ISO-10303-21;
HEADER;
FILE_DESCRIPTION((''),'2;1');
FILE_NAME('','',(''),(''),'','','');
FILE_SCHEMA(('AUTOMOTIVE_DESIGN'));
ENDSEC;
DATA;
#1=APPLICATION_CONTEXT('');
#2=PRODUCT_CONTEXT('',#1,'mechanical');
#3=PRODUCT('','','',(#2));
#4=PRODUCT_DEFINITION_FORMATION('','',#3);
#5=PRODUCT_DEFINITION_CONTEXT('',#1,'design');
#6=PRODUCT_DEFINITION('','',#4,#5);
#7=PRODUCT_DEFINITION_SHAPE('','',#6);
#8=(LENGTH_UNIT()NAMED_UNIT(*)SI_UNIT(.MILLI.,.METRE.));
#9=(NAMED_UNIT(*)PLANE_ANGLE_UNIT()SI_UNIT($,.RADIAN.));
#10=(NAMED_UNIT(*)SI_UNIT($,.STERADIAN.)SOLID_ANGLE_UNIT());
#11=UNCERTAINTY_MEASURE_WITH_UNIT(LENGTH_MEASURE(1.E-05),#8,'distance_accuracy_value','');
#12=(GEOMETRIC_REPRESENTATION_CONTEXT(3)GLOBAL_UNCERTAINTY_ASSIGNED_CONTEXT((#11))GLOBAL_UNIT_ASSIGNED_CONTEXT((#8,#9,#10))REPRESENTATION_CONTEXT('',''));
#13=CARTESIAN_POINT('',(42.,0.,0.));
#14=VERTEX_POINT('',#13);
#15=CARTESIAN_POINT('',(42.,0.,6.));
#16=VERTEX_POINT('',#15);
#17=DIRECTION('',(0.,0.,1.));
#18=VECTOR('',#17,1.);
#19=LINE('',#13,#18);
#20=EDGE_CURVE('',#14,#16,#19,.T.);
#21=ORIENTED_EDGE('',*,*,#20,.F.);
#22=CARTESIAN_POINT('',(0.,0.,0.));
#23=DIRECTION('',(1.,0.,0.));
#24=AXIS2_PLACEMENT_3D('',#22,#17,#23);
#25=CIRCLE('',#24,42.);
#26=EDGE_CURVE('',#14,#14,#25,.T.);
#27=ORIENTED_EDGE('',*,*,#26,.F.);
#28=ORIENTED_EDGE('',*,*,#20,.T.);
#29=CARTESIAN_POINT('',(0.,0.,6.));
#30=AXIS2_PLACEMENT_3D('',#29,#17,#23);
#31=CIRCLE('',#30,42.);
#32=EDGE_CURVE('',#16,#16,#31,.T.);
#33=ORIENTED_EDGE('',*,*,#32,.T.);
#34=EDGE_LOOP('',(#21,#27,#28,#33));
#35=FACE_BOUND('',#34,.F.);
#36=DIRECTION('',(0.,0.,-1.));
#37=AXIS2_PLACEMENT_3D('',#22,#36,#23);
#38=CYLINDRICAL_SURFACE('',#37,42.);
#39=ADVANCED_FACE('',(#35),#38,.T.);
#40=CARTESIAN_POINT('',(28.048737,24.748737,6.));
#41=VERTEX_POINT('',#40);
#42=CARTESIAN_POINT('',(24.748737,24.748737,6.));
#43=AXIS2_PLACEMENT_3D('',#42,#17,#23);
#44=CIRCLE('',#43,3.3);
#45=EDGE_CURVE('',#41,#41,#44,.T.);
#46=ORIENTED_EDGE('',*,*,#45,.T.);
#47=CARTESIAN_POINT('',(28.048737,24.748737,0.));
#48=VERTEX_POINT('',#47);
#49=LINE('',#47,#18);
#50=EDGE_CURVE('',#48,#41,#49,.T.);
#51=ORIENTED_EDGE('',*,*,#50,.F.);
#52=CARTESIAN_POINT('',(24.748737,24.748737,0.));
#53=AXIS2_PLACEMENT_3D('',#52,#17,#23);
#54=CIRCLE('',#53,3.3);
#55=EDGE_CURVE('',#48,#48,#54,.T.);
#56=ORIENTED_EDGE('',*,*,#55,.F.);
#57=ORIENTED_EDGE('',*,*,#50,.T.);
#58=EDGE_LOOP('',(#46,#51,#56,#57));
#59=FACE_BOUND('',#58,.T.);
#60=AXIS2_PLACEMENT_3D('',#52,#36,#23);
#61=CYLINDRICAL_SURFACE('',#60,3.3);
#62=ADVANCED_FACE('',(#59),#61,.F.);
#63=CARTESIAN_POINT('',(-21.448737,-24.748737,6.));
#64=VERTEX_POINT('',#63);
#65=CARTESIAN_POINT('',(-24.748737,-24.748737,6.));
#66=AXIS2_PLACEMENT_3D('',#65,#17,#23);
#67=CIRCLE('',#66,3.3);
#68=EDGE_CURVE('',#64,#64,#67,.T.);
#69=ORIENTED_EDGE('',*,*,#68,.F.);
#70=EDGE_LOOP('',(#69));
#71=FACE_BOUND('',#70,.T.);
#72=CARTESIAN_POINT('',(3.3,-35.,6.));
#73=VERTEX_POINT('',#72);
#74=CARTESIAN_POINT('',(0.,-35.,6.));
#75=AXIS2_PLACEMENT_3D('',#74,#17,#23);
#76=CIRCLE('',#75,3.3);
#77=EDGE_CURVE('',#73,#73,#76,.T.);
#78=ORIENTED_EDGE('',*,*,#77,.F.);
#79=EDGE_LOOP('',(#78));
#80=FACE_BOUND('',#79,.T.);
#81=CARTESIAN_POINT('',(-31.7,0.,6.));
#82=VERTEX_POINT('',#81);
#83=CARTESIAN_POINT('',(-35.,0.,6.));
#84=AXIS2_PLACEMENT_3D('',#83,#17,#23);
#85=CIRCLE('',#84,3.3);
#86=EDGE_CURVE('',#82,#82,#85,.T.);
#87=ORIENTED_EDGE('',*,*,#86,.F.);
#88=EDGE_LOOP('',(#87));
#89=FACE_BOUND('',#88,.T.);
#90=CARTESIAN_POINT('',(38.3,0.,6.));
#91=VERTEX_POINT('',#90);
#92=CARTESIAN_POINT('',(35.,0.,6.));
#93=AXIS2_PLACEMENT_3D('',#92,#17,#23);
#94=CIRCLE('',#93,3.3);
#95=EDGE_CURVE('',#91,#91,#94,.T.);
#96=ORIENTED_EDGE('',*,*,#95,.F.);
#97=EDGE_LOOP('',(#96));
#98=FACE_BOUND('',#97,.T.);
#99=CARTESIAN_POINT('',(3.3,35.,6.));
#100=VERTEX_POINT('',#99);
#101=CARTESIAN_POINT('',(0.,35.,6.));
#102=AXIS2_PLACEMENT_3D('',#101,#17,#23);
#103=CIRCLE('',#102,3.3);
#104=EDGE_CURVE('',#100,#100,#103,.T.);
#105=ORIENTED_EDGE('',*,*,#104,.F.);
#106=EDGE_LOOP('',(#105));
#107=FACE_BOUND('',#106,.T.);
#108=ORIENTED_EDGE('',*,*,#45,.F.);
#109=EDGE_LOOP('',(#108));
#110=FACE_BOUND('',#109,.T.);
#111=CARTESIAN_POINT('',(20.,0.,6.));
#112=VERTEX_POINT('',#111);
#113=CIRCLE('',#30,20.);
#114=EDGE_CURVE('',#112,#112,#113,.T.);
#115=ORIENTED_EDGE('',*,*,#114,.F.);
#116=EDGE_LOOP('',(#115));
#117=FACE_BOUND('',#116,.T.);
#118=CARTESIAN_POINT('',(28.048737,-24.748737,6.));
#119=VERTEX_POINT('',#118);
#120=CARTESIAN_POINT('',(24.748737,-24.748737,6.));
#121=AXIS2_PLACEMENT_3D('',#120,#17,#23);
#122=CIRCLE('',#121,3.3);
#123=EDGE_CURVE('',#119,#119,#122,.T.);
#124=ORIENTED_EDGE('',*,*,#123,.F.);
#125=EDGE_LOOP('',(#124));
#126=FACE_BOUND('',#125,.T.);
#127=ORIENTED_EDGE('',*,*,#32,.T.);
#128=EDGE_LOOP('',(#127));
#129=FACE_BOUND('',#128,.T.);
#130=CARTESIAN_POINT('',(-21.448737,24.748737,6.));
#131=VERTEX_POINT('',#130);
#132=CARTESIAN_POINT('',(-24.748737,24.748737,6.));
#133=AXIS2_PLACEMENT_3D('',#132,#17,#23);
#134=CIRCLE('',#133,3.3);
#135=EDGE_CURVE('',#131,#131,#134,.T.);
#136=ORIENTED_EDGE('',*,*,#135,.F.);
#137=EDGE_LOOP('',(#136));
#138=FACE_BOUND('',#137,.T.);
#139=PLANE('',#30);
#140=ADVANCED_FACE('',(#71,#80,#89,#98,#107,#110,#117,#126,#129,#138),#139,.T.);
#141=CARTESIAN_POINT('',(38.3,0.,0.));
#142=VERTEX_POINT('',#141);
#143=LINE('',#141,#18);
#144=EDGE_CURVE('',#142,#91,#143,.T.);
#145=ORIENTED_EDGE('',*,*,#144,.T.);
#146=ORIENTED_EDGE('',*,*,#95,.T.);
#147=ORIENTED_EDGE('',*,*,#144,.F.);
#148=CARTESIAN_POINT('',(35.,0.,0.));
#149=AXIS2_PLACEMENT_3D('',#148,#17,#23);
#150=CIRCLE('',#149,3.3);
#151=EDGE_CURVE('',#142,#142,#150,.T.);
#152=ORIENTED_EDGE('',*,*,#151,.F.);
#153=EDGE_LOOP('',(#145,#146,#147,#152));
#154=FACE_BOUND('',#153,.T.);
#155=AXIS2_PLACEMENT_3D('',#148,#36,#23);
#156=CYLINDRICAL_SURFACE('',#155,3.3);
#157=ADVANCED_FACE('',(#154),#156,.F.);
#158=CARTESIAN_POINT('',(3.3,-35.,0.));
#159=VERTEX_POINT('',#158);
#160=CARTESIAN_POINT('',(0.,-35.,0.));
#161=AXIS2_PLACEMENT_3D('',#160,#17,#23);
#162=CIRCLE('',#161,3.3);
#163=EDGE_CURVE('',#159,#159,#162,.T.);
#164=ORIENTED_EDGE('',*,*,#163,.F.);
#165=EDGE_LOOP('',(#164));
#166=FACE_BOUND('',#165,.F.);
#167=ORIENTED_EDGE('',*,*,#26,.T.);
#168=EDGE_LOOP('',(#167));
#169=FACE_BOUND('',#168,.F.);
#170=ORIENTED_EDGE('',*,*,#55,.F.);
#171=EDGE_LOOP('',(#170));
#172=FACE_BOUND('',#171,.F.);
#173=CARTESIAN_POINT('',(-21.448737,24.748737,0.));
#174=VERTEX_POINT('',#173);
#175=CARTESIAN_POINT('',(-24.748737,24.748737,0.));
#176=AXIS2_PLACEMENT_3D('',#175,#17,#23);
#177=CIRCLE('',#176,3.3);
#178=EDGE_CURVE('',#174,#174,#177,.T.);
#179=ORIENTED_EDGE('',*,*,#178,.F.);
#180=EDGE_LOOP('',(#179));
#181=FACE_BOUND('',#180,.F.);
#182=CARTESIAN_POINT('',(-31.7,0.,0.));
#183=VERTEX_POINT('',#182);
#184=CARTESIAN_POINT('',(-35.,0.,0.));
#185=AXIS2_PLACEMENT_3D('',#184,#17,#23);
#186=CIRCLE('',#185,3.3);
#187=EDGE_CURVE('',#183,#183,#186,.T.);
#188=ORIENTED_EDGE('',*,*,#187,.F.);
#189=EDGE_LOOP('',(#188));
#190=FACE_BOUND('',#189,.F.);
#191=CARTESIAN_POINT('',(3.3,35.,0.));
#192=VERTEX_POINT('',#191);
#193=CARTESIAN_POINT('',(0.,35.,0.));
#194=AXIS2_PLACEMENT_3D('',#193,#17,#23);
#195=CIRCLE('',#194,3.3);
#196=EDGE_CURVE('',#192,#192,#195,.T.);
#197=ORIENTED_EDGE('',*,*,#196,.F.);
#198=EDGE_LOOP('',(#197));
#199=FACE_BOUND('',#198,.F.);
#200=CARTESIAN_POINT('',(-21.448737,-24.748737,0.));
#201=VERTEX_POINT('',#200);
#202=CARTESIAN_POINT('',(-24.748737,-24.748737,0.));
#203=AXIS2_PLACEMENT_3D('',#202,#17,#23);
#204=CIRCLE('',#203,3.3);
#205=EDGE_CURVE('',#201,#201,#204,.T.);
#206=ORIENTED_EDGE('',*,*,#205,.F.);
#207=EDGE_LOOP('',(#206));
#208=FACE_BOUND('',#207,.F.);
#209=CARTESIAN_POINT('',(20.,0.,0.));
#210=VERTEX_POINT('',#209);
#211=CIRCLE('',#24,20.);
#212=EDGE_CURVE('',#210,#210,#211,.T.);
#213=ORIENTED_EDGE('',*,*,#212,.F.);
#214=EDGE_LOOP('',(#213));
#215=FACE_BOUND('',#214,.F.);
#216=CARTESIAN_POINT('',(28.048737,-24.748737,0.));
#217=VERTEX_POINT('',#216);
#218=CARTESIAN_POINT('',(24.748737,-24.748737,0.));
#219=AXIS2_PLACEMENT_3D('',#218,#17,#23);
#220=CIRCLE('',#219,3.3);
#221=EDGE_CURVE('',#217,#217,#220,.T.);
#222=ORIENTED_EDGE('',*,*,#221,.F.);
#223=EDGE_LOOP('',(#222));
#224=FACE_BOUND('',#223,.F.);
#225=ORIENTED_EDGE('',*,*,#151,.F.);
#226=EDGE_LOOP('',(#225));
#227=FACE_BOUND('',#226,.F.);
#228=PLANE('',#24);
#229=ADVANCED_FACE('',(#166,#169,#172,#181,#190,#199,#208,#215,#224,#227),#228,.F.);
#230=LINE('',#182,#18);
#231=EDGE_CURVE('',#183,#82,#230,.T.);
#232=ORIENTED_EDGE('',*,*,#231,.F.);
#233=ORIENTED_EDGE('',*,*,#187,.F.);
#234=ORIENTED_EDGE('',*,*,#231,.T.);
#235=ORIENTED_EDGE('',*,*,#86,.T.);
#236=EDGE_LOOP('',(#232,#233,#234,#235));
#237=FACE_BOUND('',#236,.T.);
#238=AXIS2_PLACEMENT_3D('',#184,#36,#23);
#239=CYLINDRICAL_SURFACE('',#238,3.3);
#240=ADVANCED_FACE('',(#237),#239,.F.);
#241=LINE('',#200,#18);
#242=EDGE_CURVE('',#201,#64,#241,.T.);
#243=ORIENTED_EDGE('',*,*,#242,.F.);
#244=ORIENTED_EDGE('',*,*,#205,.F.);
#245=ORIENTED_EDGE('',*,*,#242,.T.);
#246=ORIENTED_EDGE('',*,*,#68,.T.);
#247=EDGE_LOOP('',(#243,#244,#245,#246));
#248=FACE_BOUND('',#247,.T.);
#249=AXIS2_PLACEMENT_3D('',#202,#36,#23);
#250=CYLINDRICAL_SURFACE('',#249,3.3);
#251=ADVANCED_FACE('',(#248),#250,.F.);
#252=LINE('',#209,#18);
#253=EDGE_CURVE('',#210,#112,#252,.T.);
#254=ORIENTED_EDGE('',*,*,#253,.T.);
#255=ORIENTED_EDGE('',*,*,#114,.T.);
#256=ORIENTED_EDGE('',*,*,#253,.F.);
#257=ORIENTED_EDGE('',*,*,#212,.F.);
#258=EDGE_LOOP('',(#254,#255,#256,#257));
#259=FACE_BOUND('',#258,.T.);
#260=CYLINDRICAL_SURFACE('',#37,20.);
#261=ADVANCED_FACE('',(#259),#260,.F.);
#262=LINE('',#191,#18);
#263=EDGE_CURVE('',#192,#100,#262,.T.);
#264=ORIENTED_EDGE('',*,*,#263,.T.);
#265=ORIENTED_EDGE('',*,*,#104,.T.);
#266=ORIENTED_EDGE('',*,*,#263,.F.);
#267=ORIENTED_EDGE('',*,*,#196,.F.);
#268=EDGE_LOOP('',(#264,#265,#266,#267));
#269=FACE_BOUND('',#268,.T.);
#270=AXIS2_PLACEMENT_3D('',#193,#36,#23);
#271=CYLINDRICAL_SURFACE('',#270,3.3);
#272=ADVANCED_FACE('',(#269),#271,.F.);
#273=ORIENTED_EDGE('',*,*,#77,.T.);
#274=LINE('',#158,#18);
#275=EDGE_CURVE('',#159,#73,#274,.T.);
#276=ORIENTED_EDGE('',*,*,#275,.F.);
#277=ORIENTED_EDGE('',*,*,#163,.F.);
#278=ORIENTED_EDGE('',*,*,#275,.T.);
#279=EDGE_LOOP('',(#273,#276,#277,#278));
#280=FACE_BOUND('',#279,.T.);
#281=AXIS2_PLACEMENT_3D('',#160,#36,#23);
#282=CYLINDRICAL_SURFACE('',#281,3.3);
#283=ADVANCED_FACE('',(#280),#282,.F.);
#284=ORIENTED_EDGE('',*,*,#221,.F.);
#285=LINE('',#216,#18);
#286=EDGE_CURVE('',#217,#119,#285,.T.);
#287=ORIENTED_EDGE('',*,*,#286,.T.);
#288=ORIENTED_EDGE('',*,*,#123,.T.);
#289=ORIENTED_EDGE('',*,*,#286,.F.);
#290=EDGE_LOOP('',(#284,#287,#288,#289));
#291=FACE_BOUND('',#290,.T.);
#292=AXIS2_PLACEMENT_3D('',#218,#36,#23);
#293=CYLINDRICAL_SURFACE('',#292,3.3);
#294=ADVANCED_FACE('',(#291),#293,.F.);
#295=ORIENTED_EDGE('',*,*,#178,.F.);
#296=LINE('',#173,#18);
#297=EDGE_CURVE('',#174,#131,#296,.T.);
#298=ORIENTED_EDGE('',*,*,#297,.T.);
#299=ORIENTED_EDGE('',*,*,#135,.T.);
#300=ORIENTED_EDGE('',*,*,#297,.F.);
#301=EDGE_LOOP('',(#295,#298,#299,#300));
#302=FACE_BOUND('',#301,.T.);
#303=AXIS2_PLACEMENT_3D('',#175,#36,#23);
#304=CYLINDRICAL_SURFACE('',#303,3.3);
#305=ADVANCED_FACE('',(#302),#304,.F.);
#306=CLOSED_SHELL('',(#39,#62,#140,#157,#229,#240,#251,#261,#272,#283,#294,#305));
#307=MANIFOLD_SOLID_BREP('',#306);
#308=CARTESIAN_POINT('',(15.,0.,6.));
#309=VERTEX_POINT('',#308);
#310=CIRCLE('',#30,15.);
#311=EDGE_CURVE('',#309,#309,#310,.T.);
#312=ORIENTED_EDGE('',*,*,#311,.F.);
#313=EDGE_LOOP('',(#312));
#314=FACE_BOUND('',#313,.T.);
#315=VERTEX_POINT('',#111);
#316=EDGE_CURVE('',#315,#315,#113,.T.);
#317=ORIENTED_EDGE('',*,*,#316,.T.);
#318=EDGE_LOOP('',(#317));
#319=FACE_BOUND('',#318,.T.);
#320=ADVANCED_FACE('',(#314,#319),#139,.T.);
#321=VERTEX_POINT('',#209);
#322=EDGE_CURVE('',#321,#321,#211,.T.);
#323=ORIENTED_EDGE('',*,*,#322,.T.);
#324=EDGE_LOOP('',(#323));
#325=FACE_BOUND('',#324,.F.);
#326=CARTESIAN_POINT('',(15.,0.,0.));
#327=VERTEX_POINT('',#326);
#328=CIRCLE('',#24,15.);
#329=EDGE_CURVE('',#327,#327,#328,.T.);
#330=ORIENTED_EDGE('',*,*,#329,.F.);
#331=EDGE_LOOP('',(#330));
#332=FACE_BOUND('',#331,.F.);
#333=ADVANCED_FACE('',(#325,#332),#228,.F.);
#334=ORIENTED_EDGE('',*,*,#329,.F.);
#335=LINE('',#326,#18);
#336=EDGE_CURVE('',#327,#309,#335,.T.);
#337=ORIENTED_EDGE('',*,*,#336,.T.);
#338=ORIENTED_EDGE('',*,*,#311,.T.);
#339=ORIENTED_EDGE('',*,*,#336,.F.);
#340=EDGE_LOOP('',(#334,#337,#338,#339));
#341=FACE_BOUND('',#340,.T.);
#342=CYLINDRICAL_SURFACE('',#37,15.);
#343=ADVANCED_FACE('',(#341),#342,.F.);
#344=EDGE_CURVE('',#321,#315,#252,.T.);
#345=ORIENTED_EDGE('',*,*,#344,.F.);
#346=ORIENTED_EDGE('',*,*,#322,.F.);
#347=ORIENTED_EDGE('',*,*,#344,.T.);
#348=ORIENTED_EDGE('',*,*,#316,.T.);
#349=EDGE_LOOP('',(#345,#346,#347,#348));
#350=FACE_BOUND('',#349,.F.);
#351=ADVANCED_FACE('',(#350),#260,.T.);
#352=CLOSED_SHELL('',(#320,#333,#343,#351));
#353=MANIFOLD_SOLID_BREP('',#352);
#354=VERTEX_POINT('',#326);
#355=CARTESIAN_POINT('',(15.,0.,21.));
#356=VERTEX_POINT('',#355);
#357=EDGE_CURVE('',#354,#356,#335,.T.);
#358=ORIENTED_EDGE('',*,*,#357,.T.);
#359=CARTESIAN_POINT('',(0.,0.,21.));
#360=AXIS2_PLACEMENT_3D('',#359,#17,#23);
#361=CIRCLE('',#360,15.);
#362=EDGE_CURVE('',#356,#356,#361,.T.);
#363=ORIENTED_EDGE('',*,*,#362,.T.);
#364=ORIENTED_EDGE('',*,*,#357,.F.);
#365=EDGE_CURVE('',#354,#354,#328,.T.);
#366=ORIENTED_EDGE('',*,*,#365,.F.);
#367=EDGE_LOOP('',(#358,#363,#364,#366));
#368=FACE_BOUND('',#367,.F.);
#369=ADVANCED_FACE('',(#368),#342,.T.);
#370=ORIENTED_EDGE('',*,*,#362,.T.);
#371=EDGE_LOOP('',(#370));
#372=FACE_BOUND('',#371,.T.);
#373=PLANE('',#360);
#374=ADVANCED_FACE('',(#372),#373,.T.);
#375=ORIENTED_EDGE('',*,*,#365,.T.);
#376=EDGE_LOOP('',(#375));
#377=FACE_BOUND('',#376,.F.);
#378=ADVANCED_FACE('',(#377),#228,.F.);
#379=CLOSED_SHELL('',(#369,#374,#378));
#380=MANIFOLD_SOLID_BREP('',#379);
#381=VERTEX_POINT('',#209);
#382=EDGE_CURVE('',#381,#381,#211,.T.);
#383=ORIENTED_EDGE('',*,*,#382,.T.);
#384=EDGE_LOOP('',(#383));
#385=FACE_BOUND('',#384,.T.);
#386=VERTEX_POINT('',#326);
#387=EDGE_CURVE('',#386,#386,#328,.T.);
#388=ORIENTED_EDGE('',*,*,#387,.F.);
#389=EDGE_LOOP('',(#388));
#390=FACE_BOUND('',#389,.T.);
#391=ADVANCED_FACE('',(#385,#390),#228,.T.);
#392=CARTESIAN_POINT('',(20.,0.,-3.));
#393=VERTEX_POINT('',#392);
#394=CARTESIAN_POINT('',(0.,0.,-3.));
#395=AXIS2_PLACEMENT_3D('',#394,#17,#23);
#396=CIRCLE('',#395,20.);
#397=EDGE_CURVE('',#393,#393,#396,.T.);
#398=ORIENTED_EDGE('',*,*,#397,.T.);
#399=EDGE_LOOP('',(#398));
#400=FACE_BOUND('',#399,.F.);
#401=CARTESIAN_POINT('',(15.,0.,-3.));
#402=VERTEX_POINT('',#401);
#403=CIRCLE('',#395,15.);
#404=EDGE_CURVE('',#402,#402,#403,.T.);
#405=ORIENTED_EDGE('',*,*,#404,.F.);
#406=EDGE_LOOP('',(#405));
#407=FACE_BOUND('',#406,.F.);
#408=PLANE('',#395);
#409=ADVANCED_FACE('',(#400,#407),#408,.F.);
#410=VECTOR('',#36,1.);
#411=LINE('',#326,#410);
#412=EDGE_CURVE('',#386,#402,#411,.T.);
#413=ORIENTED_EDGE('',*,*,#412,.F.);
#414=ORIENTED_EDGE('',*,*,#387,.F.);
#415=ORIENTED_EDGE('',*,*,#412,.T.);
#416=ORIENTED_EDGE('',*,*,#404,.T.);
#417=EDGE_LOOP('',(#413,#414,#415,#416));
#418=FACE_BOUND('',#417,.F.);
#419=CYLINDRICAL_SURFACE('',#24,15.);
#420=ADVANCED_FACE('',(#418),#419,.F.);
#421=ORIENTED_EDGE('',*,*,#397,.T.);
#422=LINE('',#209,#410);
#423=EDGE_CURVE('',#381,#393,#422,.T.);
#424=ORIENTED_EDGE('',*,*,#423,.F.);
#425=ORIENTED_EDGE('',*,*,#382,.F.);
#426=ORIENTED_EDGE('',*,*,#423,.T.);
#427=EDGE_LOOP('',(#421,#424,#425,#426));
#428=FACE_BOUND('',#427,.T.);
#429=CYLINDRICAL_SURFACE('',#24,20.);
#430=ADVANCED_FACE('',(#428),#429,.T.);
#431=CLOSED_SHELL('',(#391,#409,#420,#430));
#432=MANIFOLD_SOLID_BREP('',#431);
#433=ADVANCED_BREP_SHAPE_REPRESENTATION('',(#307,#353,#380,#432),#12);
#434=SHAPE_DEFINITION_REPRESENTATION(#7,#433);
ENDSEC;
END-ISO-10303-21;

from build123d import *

# Parameters (mm, degrees)
F0_R     = 20
F0_R_2   = 15
F1_DEPTH = 3
F2_DEPTH = 21
F0_R_3   = 42
F0_R_4   = 3.3
F3_DEPTH = 6
F4_DEPTH = 6


with BuildPart() as f1:
    # F0 (on Top) → F1 (new body)
    with BuildSketch(Plane.XY):
        Circle(F0_R)
        Circle(F0_R_2, mode=Mode.SUBTRACT)
    extrude(amount=-F1_DEPTH)


with BuildPart() as f2:
    # F0 (on Top) → F2 (new body)
    with BuildSketch(Plane.XY):
        Circle(F0_R_2)
    extrude(amount=F2_DEPTH)


with BuildPart() as f3:
    # F0 (on Top) → F3 (new body)
    with BuildSketch(Plane.XY):
        Circle(F0_R_3)
        with Locations((-24.748737, -24.748737)):
            Circle(F0_R_4, mode=Mode.SUBTRACT)
        with Locations((0, -35)):
            Circle(F0_R_4, mode=Mode.SUBTRACT)
        with Locations((24.748737, -24.748737)):
            Circle(F0_R_4, mode=Mode.SUBTRACT)
        with Locations((-35, 0)):
            Circle(F0_R_4, mode=Mode.SUBTRACT)
        with Locations((-24.748737, 24.748737)):
            Circle(F0_R_4, mode=Mode.SUBTRACT)
        Circle(F0_R, mode=Mode.SUBTRACT)
        with Locations((35, 0)):
            Circle(F0_R_4, mode=Mode.SUBTRACT)
        with Locations((0, 35)):
            Circle(F0_R_4, mode=Mode.SUBTRACT)
        with Locations((24.748737, 24.748737)):
            Circle(F0_R_4, mode=Mode.SUBTRACT)
    extrude(amount=F3_DEPTH)


with BuildPart() as f4:
    # F0 (on Top) → F4 (new body)
    with BuildSketch(Plane.XY):
        Circle(F0_R)
        Circle(F0_R_2, mode=Mode.SUBTRACT)
    extrude(amount=F4_DEPTH)


solid = Compound([f1.part, f2.part, f3.part, f4.part])
